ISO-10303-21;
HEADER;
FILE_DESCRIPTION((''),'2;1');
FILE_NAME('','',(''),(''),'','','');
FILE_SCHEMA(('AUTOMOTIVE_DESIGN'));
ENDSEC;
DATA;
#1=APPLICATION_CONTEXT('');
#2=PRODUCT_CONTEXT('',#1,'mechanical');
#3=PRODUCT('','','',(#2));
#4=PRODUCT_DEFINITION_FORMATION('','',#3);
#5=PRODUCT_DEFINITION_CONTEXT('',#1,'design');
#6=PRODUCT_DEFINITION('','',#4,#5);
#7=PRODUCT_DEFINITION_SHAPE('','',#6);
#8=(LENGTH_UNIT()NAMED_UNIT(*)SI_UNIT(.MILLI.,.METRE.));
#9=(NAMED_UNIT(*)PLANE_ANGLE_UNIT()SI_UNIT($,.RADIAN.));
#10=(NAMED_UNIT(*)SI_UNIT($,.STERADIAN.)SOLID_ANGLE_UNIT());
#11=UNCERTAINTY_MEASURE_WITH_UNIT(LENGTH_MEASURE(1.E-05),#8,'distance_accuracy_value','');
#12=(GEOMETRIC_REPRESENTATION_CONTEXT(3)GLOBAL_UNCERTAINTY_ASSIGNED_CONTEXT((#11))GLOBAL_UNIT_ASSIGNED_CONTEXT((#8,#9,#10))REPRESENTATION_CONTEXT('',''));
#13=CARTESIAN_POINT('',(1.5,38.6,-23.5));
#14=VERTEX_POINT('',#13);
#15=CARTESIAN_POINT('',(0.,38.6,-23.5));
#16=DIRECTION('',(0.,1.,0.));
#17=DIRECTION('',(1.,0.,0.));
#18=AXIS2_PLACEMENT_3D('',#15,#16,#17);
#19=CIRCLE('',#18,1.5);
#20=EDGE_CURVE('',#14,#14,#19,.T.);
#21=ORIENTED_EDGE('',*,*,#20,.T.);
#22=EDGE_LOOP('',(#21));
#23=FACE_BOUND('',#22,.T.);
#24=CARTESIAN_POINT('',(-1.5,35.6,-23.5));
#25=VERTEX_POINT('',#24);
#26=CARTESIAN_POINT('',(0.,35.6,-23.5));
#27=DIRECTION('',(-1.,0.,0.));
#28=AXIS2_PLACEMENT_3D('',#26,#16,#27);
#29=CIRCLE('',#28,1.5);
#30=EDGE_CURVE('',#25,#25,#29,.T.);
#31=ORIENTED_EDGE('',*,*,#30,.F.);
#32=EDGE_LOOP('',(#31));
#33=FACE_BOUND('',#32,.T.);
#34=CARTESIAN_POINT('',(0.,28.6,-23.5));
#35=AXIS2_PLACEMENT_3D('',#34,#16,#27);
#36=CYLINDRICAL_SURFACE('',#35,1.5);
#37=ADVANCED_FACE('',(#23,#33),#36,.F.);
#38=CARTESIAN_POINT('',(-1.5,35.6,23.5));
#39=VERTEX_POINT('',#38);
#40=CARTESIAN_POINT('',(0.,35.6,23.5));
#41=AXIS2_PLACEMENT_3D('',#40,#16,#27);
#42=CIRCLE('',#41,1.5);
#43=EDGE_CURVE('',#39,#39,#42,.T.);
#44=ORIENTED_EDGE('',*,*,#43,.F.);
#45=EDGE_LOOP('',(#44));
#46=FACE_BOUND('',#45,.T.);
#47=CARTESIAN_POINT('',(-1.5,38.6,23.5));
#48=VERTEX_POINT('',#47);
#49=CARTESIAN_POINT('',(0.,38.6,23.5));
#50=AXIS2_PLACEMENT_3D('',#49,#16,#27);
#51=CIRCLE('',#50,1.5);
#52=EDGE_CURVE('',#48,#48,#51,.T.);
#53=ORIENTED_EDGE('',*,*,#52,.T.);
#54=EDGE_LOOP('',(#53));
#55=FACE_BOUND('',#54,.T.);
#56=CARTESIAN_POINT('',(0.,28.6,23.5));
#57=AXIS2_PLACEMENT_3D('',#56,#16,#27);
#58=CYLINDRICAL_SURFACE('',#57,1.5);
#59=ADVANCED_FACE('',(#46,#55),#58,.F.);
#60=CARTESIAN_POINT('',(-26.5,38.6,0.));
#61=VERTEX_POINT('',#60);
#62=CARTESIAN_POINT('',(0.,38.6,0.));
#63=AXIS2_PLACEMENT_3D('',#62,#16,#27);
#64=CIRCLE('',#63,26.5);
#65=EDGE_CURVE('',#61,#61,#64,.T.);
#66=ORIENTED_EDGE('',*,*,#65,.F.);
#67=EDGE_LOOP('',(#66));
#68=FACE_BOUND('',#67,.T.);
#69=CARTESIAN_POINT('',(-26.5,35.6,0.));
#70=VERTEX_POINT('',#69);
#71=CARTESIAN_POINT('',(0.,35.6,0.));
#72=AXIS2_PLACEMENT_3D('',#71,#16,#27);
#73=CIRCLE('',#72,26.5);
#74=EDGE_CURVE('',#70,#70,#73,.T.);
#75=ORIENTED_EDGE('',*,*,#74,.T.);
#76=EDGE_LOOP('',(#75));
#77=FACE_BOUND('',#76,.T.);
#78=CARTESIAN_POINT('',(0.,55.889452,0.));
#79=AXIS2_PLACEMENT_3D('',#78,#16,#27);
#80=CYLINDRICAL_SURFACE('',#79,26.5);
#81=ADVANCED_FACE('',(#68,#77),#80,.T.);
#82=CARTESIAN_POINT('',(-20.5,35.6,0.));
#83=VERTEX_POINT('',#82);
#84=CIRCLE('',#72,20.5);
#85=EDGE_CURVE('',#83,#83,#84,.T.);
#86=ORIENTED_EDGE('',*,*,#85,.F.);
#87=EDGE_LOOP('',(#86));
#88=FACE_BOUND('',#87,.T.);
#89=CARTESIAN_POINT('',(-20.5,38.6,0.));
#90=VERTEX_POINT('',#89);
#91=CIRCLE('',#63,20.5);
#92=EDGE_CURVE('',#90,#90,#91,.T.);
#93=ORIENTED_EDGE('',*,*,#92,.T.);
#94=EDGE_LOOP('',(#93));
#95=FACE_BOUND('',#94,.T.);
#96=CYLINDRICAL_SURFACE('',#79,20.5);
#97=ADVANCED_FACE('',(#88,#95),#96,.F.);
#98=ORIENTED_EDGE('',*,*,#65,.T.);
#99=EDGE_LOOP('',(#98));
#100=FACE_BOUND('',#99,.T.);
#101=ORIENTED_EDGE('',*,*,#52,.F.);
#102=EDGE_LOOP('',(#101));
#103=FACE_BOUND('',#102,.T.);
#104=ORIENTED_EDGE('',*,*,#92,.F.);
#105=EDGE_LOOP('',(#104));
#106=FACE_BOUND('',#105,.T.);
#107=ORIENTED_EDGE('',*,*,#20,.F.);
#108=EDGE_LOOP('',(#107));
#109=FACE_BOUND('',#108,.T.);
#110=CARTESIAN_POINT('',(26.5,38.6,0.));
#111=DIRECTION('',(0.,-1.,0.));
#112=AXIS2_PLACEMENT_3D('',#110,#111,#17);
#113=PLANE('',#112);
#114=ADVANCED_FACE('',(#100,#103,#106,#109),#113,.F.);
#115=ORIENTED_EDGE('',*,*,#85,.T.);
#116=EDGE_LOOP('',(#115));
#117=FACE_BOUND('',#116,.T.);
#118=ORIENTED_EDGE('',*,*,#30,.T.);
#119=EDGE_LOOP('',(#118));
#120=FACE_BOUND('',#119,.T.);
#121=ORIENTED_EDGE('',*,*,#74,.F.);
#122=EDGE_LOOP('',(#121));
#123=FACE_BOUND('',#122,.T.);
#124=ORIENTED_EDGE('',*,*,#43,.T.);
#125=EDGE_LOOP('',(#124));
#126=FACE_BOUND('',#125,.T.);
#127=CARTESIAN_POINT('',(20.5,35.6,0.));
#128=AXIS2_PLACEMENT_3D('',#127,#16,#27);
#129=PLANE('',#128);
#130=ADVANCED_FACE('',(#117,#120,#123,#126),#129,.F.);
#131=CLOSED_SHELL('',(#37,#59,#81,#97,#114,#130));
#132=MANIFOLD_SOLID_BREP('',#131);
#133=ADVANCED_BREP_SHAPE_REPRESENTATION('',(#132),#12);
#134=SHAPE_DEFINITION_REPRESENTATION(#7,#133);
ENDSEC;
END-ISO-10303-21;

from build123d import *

# Parameters (mm, degrees)
SKETCH_1_W          = 6
SKETCH_1_H          = 3
SKETCH_2_R          = 1.5
CUT_EXTRUDE_1_DEPTH = 10


with BuildPart() as part:
    # Эскиз1 → Повернуть1 (revolve)
    with BuildSketch(Plane.XY, mode=Mode.PRIVATE) as revolve_1_sk:
        with Locations((23.5, 37.1)):
            Rectangle(SKETCH_1_W, SKETCH_1_H)
    revolve(revolve_1_sk.sketch.rotate(Axis((0, 55.88945234, 0), (0, -1, 0)), 180), axis=Axis((0, 55.88945234, 0), (0, -1, 0)))

    # Эскиз2 → Вырез-Вытянуть1 (cut)
    with BuildSketch(Plane(origin=(0, 38.6, 0), x_dir=(1, 0, 0), z_dir=(0, 1, 0))):
        with Locations(Location((0, -23.5, 0), (0, 0, 180))):
            Circle(SKETCH_2_R)
        with Locations(Location((0, 23.5, 0), (0, 0, 180))):
            Circle(SKETCH_2_R)
    extrude(amount=-CUT_EXTRUDE_1_DEPTH, mode=Mode.SUBTRACT)


solid = part.part
